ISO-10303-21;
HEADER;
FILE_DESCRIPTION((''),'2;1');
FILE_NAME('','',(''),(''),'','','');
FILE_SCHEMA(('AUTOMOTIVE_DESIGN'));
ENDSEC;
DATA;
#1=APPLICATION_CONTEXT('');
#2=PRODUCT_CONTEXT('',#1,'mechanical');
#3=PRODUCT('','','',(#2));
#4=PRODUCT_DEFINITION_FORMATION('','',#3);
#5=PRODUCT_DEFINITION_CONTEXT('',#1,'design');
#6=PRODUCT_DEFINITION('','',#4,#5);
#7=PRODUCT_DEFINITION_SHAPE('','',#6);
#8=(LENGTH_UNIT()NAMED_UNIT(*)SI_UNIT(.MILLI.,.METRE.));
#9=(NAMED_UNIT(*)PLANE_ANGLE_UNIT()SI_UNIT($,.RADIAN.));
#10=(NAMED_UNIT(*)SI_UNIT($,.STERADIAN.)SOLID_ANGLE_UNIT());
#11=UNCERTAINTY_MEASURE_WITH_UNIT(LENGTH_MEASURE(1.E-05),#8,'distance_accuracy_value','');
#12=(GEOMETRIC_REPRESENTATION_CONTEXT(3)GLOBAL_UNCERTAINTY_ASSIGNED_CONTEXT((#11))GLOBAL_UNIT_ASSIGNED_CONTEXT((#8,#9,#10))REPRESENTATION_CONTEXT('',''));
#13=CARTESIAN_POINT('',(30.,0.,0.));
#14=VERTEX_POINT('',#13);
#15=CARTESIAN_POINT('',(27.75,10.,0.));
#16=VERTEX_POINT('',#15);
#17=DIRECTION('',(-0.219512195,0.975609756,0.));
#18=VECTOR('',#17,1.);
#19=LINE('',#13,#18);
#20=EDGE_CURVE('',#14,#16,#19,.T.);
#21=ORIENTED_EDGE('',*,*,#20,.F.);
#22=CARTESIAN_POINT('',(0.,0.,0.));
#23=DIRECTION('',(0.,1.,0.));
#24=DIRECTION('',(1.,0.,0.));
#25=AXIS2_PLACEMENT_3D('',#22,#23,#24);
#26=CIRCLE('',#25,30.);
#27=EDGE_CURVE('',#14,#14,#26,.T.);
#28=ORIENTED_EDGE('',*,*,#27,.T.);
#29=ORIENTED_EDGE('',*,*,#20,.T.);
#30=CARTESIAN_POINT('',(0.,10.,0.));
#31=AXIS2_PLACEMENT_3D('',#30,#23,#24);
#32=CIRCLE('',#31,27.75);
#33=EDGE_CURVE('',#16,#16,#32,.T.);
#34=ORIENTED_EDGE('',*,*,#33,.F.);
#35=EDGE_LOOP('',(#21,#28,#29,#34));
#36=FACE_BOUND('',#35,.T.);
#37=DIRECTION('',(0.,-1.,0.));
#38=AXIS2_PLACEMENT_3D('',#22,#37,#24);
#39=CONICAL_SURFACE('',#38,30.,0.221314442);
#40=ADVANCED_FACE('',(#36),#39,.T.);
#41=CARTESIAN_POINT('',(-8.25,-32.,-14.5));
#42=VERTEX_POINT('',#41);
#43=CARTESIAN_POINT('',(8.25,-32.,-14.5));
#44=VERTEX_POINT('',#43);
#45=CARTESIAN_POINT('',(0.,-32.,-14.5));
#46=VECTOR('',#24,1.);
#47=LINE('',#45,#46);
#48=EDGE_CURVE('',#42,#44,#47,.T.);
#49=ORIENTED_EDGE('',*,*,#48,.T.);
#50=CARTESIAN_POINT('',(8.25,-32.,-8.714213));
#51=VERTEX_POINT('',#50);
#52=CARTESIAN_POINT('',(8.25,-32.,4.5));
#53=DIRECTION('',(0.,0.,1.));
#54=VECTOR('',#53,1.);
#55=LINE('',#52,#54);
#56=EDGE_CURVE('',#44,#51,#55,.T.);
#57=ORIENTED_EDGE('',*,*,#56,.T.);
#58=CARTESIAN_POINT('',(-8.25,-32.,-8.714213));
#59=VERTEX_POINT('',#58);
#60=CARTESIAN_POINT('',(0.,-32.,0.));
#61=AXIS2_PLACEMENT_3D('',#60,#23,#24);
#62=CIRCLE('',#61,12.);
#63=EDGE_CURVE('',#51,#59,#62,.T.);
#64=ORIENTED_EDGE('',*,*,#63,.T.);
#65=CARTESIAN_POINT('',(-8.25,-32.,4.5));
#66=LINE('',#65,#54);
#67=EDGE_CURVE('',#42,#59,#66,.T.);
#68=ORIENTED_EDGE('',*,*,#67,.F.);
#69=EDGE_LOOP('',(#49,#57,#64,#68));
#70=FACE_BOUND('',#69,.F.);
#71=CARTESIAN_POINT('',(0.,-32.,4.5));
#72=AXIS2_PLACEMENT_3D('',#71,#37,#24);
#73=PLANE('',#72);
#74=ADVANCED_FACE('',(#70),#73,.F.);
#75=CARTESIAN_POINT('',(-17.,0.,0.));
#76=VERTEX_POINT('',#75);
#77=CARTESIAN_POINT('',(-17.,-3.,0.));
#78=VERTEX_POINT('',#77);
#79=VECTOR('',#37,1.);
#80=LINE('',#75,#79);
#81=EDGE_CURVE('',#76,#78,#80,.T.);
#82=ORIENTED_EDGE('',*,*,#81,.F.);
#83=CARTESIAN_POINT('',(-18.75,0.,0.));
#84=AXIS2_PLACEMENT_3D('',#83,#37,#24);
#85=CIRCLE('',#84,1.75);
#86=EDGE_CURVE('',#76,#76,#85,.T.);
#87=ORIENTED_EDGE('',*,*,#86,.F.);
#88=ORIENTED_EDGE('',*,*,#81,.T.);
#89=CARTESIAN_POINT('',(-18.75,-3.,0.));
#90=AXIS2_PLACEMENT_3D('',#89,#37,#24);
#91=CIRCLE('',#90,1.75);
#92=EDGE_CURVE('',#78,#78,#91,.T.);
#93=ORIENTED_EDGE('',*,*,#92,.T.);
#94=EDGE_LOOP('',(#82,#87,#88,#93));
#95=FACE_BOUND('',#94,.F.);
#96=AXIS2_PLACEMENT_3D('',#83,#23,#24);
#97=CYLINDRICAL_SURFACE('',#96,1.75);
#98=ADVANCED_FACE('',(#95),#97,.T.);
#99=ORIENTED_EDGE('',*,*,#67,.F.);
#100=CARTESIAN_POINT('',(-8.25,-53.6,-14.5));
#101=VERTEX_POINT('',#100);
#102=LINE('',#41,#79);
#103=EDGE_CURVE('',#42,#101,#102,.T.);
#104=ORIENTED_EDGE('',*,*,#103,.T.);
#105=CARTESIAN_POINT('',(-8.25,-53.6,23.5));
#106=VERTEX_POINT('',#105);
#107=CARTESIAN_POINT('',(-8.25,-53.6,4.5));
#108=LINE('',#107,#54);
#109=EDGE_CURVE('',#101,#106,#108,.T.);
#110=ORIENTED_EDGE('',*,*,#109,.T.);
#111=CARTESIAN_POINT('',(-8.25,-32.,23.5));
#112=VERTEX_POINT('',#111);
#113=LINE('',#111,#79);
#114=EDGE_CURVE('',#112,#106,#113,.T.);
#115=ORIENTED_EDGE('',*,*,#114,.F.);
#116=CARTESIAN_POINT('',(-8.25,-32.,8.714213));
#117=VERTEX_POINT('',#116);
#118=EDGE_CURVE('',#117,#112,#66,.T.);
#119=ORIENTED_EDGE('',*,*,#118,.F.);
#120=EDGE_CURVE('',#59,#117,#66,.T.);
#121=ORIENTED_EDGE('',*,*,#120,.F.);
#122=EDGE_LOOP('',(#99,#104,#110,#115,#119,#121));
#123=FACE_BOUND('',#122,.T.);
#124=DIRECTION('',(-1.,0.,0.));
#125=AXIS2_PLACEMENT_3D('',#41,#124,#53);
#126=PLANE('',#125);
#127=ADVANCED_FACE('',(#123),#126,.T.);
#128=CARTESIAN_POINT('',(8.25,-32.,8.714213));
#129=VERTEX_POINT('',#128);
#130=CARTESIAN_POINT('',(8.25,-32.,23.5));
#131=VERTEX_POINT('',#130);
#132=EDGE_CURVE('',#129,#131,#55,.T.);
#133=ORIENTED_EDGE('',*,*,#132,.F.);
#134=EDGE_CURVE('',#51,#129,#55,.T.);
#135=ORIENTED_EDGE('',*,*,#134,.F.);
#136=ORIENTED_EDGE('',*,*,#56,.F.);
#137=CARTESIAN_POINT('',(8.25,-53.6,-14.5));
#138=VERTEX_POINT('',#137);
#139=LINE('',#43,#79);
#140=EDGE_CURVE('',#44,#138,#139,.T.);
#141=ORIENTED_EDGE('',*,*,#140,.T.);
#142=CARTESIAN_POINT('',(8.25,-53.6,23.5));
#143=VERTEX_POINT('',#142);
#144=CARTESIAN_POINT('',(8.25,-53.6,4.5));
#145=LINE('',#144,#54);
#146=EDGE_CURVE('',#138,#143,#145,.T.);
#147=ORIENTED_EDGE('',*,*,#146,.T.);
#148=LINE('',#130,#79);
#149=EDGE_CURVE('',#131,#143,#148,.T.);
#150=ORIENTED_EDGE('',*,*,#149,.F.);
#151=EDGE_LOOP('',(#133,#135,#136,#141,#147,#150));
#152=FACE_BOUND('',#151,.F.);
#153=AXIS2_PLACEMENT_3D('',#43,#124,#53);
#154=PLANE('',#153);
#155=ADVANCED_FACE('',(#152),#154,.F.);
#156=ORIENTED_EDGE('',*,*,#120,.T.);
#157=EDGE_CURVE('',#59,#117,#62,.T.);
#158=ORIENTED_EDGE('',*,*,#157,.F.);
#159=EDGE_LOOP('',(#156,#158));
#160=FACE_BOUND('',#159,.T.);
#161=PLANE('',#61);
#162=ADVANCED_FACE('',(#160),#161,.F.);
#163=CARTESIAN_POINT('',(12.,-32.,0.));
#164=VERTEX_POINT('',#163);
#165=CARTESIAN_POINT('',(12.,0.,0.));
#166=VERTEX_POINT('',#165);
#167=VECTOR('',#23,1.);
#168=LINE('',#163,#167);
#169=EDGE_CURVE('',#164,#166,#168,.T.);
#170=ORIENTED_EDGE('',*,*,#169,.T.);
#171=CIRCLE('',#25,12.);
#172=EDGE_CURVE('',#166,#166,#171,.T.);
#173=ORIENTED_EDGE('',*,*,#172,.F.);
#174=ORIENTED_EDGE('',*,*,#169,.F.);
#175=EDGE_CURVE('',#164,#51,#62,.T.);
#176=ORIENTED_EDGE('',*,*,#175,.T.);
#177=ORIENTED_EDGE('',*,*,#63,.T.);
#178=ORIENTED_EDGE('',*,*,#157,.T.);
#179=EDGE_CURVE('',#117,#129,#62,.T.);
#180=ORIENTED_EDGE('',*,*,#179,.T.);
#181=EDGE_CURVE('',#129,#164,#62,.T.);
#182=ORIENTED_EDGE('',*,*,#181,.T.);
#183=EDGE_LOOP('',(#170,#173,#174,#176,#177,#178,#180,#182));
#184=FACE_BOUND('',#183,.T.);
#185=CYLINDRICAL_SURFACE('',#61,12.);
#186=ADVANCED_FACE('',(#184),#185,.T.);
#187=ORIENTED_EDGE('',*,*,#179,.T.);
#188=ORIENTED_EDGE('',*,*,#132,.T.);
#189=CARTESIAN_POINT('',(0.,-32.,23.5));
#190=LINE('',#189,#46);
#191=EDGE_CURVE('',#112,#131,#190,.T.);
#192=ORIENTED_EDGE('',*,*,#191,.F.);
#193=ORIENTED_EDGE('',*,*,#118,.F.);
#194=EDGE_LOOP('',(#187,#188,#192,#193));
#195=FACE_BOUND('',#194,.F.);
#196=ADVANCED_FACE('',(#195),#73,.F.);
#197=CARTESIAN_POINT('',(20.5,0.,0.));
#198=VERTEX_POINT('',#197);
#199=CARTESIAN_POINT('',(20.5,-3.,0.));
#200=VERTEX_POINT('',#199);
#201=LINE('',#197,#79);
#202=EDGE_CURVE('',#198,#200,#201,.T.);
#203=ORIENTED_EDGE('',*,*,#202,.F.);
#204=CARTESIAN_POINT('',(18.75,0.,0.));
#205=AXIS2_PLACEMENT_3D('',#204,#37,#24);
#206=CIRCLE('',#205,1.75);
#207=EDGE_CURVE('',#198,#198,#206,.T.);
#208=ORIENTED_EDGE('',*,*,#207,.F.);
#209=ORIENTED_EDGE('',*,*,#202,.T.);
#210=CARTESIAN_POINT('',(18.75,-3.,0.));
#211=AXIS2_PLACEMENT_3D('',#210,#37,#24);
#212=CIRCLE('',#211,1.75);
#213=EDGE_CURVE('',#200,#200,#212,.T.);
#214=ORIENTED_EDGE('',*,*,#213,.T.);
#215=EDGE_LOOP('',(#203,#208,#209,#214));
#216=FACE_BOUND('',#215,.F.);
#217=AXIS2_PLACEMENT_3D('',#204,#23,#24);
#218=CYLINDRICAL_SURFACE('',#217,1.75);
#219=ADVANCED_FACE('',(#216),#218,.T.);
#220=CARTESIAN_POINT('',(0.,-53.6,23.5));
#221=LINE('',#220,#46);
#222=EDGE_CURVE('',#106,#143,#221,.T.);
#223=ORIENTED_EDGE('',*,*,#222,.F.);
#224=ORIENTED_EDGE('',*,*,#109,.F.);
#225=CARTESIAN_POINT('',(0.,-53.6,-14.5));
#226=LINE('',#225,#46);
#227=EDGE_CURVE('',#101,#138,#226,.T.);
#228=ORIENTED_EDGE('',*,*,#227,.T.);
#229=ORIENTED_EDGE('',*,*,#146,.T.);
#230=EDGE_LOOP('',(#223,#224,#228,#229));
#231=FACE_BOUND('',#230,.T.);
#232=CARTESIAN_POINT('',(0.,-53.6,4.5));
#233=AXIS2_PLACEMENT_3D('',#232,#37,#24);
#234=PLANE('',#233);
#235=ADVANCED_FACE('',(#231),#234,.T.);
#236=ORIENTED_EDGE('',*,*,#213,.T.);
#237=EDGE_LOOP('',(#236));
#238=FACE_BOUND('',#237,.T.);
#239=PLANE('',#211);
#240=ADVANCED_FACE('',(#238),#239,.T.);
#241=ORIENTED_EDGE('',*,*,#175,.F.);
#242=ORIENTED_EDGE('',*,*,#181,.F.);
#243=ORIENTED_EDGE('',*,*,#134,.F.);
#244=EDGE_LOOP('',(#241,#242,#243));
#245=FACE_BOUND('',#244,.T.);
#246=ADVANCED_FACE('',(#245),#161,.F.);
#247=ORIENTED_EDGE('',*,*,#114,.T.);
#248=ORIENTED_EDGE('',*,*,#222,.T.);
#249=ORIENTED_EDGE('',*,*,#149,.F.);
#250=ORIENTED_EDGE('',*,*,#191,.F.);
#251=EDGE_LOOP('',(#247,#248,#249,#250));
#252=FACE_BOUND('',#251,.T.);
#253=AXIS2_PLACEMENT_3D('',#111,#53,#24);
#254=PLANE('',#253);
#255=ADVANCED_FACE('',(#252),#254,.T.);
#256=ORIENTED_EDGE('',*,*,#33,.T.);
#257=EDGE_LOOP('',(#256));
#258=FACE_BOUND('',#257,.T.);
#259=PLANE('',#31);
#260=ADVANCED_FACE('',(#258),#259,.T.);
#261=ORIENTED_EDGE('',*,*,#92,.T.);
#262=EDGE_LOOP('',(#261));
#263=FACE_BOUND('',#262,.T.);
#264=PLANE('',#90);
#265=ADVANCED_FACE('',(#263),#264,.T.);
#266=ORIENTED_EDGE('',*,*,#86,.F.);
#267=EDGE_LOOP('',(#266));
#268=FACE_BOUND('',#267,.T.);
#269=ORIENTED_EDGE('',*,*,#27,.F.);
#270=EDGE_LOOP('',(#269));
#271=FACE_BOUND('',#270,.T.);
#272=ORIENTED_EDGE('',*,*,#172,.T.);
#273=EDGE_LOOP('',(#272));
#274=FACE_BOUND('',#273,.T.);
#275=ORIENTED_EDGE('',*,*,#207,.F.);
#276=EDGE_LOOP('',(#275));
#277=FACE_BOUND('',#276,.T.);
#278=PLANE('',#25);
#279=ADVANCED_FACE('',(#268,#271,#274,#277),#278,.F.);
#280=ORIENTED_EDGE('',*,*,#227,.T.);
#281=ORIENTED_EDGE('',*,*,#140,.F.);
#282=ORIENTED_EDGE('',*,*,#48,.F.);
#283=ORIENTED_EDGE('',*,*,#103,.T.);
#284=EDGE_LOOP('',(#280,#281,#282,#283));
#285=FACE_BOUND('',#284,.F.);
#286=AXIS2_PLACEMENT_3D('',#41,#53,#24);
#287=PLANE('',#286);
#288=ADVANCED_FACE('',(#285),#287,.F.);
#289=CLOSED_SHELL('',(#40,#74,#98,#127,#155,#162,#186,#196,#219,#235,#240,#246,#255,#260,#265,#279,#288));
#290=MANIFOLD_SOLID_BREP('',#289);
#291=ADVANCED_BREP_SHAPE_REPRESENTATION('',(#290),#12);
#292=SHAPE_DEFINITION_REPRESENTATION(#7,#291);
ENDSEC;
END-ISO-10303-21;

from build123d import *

# Parameters (mm, degrees)
SKETCH023_R  = 1.75
PAD012_DEPTH = 3
SKETCH024_W  = 16.5
SKETCH024_H  = 38
PAD013_DEPTH = 21.6


with BuildPart() as part:
    # Sketch021 → Revolution005 (revolve)
    with BuildSketch(Plane.XY):
        Polygon((0, 0), (0, -32), (12, -32), (12, 0), (30, 0), (27.75, 10), (0, 10), align=None)
    revolve(axis=Axis((0, 0, 0), (0, 1, 0)))

    # Sketch023 → Pad012 (new body)
    with BuildSketch(Plane.XZ):
        with Locations((18.75, 0)):
            Circle(SKETCH023_R)
        with Locations((-18.75, 0)):
            Circle(SKETCH023_R)
    extrude(amount=PAD012_DEPTH)

    # Sketch024 (on Face1 of Pad012) → Pad013 (join)
    with BuildSketch(Plane.XZ.offset(32)):
        with Locations((0, 4.5)):
            Rectangle(SKETCH024_W, SKETCH024_H)
    extrude(amount=PAD013_DEPTH)


solid = part.part
